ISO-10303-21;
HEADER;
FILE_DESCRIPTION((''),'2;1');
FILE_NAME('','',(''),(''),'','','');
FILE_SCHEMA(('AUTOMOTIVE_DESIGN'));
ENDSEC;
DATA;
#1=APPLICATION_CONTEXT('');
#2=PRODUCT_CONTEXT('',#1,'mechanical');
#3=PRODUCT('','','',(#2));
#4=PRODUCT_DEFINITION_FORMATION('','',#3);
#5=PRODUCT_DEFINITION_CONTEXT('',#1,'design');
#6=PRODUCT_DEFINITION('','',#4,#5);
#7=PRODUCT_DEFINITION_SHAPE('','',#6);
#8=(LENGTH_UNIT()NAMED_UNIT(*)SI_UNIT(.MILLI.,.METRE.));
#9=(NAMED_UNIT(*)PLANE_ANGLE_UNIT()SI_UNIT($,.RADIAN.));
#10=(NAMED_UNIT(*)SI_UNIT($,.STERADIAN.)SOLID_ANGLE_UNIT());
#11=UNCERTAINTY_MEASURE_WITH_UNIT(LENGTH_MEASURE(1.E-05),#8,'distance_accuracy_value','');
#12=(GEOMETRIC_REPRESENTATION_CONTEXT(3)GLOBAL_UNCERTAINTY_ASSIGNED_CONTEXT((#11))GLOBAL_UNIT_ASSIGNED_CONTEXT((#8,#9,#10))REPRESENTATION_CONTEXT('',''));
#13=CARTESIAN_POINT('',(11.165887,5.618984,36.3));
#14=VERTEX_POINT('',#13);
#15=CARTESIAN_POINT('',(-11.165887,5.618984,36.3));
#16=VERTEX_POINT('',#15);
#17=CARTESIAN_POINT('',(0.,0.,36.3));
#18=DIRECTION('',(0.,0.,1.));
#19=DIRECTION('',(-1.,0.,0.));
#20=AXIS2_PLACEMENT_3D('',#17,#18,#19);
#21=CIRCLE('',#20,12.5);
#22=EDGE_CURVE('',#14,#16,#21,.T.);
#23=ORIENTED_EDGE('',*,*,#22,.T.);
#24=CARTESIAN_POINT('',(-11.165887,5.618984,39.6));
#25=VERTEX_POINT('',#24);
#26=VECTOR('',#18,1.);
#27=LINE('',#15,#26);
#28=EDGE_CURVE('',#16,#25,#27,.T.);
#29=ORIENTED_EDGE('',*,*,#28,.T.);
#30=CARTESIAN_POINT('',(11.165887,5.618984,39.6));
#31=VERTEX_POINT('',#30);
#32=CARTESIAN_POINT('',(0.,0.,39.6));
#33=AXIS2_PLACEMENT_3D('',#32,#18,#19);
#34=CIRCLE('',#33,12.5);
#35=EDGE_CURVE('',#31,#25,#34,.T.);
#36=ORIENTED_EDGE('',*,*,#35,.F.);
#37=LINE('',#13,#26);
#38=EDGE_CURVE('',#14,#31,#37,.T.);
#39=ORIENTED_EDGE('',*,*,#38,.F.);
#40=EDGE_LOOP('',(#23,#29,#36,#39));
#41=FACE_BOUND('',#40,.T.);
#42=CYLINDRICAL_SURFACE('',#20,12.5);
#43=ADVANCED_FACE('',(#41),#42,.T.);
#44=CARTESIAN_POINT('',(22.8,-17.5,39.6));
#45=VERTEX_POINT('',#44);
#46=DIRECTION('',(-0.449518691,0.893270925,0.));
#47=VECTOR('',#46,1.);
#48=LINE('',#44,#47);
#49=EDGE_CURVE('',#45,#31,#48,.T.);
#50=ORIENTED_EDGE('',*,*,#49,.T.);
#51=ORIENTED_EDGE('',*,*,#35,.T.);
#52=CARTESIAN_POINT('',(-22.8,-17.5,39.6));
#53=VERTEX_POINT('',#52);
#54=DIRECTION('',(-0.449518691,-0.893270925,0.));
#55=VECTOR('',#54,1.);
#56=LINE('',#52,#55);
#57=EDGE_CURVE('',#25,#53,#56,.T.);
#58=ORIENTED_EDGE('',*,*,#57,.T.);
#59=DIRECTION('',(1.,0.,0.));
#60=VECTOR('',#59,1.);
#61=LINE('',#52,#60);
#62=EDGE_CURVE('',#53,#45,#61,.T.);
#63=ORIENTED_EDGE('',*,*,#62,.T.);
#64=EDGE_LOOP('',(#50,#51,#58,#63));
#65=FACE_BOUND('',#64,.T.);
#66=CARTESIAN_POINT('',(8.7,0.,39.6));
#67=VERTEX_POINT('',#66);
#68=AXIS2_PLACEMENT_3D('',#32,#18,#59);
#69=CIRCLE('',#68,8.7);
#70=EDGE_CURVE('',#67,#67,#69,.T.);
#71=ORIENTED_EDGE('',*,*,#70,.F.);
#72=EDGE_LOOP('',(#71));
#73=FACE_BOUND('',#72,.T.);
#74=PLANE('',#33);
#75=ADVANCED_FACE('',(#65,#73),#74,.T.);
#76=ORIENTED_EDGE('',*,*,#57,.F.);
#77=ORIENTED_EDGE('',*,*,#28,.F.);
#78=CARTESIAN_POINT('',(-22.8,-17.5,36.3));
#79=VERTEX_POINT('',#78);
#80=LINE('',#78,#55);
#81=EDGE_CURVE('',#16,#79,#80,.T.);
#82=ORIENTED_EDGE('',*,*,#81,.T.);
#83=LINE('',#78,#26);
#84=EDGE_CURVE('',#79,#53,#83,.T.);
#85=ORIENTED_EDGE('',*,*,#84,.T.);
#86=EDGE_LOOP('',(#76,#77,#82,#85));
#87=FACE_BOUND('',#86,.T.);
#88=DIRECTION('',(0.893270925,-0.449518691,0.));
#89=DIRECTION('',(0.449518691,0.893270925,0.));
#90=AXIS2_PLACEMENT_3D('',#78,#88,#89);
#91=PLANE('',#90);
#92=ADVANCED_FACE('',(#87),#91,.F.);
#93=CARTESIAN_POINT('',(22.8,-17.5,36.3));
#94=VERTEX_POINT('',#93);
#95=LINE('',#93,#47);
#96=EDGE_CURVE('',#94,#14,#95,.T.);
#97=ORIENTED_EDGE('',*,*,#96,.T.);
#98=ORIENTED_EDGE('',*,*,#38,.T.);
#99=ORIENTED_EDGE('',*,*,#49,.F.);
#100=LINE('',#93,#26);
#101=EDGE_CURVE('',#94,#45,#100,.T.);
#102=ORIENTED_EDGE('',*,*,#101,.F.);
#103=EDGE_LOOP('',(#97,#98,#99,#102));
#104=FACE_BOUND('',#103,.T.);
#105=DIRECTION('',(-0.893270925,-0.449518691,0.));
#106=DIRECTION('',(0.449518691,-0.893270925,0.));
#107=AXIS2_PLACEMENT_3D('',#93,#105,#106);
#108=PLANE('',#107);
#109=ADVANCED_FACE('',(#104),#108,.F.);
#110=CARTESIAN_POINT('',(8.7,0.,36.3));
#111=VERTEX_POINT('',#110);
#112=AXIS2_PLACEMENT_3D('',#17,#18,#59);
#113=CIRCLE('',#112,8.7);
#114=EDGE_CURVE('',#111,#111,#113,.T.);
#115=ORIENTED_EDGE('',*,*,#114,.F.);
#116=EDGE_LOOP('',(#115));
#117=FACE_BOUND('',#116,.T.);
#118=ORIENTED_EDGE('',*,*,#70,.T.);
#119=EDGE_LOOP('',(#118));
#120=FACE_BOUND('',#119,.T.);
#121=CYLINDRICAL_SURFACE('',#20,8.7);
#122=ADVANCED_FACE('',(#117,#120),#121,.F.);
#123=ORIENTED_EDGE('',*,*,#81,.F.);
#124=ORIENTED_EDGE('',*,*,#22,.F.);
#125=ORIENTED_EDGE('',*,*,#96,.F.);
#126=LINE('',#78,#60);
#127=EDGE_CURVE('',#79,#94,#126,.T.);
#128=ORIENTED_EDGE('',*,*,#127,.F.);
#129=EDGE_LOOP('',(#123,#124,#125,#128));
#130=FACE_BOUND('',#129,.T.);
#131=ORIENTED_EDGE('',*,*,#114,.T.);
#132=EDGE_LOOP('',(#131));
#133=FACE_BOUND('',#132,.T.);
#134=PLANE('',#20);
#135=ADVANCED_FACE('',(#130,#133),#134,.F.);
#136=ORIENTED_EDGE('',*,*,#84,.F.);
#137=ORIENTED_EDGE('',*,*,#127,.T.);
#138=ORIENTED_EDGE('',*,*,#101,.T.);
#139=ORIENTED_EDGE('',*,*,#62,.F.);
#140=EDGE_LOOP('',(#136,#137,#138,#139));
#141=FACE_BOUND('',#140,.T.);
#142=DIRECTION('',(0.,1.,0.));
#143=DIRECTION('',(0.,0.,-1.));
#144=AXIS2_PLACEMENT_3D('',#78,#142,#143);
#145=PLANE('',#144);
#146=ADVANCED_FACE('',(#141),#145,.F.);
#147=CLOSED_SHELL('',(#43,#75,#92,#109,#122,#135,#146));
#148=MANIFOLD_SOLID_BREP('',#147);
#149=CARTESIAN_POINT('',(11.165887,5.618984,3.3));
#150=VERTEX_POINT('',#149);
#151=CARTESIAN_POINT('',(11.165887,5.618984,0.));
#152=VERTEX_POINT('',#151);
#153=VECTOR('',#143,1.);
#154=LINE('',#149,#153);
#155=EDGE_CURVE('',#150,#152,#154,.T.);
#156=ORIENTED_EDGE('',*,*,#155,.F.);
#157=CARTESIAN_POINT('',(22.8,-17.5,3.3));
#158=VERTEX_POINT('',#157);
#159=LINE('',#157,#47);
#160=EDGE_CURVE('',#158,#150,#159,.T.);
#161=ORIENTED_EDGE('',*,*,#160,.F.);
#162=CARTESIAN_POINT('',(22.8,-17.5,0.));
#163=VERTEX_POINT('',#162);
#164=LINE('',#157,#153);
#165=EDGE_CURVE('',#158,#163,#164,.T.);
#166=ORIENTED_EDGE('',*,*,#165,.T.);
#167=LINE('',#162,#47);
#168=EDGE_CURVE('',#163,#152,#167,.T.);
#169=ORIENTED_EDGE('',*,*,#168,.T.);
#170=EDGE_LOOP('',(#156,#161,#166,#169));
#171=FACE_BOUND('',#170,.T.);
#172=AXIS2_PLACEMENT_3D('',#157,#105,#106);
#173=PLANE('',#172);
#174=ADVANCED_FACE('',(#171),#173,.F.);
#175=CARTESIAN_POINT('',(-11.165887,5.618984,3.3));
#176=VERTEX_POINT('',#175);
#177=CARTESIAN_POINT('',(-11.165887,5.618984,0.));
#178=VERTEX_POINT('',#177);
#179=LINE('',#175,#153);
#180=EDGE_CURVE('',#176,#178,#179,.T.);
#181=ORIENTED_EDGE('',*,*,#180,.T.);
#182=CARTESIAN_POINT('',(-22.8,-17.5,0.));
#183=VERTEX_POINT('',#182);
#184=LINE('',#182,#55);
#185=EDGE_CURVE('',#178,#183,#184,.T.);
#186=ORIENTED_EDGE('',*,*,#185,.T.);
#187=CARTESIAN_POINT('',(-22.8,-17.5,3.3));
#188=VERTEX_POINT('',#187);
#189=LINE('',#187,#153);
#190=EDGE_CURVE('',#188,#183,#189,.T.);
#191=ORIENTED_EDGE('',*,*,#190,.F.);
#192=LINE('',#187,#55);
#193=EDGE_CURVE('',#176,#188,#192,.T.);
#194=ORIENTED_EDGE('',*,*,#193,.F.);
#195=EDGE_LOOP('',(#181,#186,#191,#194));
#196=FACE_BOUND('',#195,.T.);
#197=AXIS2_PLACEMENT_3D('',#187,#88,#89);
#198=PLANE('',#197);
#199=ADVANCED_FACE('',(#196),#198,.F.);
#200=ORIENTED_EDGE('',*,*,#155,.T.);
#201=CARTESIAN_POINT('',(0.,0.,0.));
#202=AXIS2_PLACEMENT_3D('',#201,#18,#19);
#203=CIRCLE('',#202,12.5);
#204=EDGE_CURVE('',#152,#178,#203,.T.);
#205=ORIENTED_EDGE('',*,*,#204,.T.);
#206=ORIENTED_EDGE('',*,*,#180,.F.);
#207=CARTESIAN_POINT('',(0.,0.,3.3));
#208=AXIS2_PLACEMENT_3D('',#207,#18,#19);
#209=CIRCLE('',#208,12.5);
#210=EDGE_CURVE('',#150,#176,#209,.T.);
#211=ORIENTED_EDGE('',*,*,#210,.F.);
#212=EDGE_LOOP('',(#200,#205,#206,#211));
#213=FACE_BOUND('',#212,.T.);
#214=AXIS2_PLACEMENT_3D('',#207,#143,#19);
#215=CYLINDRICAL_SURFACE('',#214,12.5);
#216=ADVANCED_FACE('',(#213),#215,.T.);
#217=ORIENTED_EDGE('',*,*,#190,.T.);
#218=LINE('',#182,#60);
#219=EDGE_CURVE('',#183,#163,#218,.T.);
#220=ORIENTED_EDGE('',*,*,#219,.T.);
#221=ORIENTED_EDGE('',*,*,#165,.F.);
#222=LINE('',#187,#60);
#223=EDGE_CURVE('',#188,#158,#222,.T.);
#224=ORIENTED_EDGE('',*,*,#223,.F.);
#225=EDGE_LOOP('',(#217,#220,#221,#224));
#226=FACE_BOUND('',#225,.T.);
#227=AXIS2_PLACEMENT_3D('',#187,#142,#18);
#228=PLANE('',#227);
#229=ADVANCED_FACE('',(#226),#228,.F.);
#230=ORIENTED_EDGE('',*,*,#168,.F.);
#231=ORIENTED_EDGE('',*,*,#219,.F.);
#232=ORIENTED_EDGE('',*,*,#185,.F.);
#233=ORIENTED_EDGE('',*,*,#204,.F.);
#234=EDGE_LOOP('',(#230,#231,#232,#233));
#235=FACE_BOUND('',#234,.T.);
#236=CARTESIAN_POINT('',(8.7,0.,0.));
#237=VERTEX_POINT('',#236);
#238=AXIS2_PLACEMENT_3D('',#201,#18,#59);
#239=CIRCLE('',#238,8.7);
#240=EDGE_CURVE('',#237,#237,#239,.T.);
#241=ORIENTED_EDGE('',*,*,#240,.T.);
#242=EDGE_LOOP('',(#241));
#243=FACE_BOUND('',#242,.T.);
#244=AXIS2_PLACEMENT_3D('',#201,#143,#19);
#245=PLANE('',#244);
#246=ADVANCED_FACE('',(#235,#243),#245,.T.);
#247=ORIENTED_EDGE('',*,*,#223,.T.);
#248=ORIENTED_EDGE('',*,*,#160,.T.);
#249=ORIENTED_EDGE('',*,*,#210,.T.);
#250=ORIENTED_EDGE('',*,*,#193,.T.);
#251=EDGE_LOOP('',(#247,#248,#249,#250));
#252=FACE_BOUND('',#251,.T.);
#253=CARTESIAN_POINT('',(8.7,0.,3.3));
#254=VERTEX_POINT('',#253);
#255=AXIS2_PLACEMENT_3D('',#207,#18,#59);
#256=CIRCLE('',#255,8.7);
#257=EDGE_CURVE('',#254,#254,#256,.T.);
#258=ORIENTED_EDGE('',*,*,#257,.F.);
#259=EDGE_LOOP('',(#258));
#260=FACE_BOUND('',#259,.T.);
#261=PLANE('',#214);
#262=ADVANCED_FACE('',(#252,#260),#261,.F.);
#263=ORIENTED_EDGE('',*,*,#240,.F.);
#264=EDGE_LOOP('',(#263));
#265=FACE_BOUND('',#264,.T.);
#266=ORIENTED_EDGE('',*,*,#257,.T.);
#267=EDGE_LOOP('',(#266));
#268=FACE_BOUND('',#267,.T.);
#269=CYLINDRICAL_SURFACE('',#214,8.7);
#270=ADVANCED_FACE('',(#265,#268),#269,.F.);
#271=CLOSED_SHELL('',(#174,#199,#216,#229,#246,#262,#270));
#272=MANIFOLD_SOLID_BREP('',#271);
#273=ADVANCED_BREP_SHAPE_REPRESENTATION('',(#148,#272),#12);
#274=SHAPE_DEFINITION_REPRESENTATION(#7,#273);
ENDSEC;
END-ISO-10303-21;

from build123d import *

# Parameters (mm, degrees)
SKETCH1_R           = 8.7
BOSS_EXTRUDE1_DEPTH = 3.3


with BuildPart() as part:
    # Sketch1 → Boss-Extrude1 (new body)
    with BuildSketch(Plane.XY):
        with BuildLine():
            Line((-22.8, -17.5), (22.8, -17.5))
            Line((22.8, -17.5), (11.165886567, 5.618983642))
            ThreePointArc((11.165886567, 5.618983642), (0, 12.5), (-11.165886567, 5.618983642))
            Line((-11.165886567, 5.618983642), (-22.8, -17.5))
        make_face()
        Circle(SKETCH1_R, mode=Mode.SUBTRACT)
    extrude(amount=BOSS_EXTRUDE1_DEPTH)


with BuildPart() as body_2:
    # Mirror6: mirrored copy
    add(part.part.mirror(Plane.XY.offset(19.8)))


solid = Compound([part.part, body_2.part])
